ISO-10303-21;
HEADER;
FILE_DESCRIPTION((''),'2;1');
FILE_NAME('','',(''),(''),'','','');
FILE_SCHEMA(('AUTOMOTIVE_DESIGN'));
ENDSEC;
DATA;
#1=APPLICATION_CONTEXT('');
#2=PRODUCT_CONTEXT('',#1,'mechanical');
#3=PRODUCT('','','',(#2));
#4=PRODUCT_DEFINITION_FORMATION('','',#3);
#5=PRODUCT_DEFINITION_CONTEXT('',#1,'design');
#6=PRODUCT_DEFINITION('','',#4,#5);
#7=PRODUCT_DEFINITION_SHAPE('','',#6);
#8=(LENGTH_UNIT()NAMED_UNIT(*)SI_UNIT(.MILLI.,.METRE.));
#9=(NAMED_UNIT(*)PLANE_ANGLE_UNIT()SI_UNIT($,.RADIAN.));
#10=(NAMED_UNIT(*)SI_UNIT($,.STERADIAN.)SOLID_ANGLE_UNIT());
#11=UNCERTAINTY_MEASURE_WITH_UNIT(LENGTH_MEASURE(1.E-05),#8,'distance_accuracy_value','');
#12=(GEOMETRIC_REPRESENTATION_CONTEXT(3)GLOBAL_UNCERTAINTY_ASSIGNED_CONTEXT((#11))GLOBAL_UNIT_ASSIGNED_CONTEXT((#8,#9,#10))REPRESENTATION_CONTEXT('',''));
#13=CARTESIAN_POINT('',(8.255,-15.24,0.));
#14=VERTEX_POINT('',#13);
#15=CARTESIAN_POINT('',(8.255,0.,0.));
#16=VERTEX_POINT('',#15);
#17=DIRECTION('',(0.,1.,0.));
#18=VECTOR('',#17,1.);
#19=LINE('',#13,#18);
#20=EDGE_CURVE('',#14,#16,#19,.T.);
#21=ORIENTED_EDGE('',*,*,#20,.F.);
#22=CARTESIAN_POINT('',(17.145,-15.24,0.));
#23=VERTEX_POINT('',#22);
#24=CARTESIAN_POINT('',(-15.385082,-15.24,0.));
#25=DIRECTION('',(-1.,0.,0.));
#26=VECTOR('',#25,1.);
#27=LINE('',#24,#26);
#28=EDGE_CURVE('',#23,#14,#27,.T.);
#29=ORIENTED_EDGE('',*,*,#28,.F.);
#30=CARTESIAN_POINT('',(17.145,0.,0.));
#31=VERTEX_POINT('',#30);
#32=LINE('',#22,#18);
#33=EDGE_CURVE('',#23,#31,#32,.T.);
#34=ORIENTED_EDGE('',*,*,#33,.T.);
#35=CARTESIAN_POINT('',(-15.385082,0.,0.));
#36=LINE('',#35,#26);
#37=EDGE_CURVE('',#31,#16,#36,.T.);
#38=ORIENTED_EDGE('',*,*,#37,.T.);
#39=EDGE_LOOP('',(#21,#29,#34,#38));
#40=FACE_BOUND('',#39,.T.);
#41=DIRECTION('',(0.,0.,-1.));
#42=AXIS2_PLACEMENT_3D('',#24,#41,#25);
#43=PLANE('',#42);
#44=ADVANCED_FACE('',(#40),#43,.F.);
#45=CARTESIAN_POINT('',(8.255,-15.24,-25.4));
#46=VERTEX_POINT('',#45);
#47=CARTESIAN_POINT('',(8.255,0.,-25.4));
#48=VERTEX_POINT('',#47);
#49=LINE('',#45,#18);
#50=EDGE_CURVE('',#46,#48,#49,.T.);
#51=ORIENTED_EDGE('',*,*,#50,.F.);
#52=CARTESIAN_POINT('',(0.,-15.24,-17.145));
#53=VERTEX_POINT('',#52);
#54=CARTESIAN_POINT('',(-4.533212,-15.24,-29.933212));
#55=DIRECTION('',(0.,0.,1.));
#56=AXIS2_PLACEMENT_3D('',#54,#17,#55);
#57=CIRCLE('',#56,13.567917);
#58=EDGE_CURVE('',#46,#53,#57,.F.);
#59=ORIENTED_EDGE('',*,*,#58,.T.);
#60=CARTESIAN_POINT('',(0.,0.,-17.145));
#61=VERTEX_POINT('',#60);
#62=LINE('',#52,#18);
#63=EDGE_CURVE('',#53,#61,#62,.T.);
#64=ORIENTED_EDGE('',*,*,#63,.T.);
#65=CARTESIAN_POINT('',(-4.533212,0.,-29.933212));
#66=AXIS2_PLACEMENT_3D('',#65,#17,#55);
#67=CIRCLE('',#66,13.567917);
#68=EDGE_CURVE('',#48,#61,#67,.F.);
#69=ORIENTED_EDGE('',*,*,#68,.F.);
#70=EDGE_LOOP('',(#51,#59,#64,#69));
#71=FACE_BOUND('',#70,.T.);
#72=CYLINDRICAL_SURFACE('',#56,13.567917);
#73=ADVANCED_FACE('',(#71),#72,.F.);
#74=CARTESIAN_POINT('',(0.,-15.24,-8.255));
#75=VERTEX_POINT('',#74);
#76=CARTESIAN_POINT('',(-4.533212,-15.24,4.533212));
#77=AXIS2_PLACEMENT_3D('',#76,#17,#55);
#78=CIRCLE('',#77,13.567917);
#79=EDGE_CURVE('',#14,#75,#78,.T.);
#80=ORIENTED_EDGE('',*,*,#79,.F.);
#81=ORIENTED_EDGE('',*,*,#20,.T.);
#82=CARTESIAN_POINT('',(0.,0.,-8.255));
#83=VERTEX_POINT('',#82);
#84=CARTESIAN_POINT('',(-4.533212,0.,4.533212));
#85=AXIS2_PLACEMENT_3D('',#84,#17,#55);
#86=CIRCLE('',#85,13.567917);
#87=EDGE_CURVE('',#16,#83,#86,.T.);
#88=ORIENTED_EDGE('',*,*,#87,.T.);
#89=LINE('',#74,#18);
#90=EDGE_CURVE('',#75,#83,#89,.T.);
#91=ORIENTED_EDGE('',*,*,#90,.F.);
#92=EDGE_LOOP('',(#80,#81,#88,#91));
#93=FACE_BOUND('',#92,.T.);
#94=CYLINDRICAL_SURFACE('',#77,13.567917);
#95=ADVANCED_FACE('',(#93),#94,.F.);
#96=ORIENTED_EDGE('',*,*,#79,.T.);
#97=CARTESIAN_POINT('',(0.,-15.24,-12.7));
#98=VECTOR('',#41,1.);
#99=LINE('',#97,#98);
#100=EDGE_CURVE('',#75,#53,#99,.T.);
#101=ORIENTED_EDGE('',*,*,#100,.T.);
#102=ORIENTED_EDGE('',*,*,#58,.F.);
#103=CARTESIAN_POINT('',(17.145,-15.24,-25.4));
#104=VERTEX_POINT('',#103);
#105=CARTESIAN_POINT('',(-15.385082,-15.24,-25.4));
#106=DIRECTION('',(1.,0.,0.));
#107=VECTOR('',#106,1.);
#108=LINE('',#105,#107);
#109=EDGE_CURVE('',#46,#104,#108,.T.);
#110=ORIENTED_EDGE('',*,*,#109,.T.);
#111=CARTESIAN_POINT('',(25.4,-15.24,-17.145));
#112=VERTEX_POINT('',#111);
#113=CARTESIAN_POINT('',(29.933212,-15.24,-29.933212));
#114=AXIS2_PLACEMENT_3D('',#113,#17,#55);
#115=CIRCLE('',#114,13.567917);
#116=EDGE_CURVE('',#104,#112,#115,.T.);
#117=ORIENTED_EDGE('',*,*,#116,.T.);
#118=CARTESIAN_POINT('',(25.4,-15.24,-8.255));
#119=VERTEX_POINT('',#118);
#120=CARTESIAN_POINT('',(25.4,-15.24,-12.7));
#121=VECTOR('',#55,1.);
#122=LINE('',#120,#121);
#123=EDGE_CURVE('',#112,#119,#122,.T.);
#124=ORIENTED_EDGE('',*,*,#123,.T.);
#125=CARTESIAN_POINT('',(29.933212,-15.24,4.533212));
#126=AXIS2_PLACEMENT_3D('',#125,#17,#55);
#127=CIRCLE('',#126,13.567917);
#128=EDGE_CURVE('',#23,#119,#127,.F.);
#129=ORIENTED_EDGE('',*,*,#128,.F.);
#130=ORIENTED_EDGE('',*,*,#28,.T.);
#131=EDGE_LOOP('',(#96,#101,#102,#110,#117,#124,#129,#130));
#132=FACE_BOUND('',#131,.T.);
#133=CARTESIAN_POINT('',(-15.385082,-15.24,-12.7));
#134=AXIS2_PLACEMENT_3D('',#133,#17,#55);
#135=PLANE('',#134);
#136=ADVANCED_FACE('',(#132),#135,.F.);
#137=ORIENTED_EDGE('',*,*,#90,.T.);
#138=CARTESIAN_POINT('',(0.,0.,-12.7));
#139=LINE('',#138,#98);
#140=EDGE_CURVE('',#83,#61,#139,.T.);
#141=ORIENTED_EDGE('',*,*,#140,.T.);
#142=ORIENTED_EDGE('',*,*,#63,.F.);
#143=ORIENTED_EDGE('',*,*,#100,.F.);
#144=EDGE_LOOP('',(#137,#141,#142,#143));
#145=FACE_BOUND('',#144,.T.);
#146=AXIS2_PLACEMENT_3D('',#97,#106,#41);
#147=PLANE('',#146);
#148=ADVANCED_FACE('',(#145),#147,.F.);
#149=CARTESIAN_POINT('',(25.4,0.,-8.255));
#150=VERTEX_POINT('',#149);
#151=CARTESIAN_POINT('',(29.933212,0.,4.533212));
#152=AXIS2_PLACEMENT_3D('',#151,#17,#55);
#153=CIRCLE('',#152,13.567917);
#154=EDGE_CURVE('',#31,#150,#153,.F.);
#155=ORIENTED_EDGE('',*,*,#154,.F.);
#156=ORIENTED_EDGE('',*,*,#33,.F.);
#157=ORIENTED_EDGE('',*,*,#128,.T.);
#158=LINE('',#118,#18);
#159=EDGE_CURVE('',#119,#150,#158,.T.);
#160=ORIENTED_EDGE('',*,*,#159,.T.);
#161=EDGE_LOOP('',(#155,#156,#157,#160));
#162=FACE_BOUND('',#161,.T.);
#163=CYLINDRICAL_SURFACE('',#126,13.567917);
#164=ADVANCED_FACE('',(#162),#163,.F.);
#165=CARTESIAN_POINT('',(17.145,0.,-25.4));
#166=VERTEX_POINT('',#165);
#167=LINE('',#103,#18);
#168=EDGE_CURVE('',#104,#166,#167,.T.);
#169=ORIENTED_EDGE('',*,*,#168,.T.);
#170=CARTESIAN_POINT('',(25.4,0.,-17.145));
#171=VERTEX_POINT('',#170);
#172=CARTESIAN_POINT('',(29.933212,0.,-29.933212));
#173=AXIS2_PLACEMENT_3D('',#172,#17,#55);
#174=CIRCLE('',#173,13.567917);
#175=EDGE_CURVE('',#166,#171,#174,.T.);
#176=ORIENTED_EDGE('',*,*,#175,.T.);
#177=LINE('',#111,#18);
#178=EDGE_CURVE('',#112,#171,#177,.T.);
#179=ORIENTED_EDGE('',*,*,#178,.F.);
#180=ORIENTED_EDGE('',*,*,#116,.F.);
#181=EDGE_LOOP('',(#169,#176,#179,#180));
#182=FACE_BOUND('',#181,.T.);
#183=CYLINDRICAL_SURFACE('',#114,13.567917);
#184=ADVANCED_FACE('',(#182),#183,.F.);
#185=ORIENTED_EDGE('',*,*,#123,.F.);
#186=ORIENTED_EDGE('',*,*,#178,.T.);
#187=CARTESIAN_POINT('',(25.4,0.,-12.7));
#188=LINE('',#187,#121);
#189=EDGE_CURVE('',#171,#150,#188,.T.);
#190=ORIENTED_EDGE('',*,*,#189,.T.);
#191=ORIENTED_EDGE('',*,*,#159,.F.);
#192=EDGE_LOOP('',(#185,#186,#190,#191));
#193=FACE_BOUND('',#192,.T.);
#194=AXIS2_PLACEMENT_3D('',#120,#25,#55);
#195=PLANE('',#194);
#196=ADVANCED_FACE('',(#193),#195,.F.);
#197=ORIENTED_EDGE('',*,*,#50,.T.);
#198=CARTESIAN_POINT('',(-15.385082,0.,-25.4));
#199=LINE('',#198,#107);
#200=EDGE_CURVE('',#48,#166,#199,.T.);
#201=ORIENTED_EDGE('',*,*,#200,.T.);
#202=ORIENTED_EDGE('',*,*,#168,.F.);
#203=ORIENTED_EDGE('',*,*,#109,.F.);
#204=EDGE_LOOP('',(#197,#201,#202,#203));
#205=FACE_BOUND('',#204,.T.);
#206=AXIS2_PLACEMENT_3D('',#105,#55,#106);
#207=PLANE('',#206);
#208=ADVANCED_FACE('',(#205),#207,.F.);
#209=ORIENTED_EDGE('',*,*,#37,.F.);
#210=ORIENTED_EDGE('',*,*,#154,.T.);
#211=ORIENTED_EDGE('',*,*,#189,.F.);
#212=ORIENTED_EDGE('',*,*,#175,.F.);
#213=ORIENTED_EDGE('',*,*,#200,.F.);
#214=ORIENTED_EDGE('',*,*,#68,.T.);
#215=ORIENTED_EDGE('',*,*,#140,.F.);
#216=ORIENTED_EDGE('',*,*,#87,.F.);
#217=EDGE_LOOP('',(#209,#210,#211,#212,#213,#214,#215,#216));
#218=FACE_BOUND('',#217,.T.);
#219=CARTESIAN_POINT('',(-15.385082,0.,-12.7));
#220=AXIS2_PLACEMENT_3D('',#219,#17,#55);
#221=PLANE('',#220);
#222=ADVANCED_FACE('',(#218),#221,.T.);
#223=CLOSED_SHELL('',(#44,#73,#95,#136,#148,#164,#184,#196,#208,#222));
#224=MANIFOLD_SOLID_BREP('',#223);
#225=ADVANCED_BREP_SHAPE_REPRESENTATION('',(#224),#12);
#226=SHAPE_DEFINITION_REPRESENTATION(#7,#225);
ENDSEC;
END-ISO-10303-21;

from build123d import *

# Parameters (mm, degrees)
BOSS_EXTRUDE6_DEPTH = 15.24


with BuildPart() as part:
    # Sketch2 → Boss-Extrude6 (new body)
    with BuildSketch(Plane(origin=(0, 0, 0), x_dir=(1, 0, 0), z_dir=(0, 1, 0))):
        with BuildLine():
            Line((8.255, 25.4), (17.145, 25.4))
            ThreePointArc((17.145, 25.4), (20.339245744, 20.339245744), (25.4, 17.145))
            Line((25.4, 17.145), (25.4, 8.255))
            ThreePointArc((25.4, 8.255), (20.339245744, 5.060754256), (17.145, 0))
            Line((17.145, 0), (8.255, 0))
            ThreePointArc((8.255, 0), (5.060754256, 5.060754256), (0, 8.255))
            Line((0, 8.255), (0, 17.145))
            ThreePointArc((0, 17.145), (5.060754256, 20.339245744), (8.255, 25.4))
        make_face()
    extrude(amount=-BOSS_EXTRUDE6_DEPTH)


solid = part.part
